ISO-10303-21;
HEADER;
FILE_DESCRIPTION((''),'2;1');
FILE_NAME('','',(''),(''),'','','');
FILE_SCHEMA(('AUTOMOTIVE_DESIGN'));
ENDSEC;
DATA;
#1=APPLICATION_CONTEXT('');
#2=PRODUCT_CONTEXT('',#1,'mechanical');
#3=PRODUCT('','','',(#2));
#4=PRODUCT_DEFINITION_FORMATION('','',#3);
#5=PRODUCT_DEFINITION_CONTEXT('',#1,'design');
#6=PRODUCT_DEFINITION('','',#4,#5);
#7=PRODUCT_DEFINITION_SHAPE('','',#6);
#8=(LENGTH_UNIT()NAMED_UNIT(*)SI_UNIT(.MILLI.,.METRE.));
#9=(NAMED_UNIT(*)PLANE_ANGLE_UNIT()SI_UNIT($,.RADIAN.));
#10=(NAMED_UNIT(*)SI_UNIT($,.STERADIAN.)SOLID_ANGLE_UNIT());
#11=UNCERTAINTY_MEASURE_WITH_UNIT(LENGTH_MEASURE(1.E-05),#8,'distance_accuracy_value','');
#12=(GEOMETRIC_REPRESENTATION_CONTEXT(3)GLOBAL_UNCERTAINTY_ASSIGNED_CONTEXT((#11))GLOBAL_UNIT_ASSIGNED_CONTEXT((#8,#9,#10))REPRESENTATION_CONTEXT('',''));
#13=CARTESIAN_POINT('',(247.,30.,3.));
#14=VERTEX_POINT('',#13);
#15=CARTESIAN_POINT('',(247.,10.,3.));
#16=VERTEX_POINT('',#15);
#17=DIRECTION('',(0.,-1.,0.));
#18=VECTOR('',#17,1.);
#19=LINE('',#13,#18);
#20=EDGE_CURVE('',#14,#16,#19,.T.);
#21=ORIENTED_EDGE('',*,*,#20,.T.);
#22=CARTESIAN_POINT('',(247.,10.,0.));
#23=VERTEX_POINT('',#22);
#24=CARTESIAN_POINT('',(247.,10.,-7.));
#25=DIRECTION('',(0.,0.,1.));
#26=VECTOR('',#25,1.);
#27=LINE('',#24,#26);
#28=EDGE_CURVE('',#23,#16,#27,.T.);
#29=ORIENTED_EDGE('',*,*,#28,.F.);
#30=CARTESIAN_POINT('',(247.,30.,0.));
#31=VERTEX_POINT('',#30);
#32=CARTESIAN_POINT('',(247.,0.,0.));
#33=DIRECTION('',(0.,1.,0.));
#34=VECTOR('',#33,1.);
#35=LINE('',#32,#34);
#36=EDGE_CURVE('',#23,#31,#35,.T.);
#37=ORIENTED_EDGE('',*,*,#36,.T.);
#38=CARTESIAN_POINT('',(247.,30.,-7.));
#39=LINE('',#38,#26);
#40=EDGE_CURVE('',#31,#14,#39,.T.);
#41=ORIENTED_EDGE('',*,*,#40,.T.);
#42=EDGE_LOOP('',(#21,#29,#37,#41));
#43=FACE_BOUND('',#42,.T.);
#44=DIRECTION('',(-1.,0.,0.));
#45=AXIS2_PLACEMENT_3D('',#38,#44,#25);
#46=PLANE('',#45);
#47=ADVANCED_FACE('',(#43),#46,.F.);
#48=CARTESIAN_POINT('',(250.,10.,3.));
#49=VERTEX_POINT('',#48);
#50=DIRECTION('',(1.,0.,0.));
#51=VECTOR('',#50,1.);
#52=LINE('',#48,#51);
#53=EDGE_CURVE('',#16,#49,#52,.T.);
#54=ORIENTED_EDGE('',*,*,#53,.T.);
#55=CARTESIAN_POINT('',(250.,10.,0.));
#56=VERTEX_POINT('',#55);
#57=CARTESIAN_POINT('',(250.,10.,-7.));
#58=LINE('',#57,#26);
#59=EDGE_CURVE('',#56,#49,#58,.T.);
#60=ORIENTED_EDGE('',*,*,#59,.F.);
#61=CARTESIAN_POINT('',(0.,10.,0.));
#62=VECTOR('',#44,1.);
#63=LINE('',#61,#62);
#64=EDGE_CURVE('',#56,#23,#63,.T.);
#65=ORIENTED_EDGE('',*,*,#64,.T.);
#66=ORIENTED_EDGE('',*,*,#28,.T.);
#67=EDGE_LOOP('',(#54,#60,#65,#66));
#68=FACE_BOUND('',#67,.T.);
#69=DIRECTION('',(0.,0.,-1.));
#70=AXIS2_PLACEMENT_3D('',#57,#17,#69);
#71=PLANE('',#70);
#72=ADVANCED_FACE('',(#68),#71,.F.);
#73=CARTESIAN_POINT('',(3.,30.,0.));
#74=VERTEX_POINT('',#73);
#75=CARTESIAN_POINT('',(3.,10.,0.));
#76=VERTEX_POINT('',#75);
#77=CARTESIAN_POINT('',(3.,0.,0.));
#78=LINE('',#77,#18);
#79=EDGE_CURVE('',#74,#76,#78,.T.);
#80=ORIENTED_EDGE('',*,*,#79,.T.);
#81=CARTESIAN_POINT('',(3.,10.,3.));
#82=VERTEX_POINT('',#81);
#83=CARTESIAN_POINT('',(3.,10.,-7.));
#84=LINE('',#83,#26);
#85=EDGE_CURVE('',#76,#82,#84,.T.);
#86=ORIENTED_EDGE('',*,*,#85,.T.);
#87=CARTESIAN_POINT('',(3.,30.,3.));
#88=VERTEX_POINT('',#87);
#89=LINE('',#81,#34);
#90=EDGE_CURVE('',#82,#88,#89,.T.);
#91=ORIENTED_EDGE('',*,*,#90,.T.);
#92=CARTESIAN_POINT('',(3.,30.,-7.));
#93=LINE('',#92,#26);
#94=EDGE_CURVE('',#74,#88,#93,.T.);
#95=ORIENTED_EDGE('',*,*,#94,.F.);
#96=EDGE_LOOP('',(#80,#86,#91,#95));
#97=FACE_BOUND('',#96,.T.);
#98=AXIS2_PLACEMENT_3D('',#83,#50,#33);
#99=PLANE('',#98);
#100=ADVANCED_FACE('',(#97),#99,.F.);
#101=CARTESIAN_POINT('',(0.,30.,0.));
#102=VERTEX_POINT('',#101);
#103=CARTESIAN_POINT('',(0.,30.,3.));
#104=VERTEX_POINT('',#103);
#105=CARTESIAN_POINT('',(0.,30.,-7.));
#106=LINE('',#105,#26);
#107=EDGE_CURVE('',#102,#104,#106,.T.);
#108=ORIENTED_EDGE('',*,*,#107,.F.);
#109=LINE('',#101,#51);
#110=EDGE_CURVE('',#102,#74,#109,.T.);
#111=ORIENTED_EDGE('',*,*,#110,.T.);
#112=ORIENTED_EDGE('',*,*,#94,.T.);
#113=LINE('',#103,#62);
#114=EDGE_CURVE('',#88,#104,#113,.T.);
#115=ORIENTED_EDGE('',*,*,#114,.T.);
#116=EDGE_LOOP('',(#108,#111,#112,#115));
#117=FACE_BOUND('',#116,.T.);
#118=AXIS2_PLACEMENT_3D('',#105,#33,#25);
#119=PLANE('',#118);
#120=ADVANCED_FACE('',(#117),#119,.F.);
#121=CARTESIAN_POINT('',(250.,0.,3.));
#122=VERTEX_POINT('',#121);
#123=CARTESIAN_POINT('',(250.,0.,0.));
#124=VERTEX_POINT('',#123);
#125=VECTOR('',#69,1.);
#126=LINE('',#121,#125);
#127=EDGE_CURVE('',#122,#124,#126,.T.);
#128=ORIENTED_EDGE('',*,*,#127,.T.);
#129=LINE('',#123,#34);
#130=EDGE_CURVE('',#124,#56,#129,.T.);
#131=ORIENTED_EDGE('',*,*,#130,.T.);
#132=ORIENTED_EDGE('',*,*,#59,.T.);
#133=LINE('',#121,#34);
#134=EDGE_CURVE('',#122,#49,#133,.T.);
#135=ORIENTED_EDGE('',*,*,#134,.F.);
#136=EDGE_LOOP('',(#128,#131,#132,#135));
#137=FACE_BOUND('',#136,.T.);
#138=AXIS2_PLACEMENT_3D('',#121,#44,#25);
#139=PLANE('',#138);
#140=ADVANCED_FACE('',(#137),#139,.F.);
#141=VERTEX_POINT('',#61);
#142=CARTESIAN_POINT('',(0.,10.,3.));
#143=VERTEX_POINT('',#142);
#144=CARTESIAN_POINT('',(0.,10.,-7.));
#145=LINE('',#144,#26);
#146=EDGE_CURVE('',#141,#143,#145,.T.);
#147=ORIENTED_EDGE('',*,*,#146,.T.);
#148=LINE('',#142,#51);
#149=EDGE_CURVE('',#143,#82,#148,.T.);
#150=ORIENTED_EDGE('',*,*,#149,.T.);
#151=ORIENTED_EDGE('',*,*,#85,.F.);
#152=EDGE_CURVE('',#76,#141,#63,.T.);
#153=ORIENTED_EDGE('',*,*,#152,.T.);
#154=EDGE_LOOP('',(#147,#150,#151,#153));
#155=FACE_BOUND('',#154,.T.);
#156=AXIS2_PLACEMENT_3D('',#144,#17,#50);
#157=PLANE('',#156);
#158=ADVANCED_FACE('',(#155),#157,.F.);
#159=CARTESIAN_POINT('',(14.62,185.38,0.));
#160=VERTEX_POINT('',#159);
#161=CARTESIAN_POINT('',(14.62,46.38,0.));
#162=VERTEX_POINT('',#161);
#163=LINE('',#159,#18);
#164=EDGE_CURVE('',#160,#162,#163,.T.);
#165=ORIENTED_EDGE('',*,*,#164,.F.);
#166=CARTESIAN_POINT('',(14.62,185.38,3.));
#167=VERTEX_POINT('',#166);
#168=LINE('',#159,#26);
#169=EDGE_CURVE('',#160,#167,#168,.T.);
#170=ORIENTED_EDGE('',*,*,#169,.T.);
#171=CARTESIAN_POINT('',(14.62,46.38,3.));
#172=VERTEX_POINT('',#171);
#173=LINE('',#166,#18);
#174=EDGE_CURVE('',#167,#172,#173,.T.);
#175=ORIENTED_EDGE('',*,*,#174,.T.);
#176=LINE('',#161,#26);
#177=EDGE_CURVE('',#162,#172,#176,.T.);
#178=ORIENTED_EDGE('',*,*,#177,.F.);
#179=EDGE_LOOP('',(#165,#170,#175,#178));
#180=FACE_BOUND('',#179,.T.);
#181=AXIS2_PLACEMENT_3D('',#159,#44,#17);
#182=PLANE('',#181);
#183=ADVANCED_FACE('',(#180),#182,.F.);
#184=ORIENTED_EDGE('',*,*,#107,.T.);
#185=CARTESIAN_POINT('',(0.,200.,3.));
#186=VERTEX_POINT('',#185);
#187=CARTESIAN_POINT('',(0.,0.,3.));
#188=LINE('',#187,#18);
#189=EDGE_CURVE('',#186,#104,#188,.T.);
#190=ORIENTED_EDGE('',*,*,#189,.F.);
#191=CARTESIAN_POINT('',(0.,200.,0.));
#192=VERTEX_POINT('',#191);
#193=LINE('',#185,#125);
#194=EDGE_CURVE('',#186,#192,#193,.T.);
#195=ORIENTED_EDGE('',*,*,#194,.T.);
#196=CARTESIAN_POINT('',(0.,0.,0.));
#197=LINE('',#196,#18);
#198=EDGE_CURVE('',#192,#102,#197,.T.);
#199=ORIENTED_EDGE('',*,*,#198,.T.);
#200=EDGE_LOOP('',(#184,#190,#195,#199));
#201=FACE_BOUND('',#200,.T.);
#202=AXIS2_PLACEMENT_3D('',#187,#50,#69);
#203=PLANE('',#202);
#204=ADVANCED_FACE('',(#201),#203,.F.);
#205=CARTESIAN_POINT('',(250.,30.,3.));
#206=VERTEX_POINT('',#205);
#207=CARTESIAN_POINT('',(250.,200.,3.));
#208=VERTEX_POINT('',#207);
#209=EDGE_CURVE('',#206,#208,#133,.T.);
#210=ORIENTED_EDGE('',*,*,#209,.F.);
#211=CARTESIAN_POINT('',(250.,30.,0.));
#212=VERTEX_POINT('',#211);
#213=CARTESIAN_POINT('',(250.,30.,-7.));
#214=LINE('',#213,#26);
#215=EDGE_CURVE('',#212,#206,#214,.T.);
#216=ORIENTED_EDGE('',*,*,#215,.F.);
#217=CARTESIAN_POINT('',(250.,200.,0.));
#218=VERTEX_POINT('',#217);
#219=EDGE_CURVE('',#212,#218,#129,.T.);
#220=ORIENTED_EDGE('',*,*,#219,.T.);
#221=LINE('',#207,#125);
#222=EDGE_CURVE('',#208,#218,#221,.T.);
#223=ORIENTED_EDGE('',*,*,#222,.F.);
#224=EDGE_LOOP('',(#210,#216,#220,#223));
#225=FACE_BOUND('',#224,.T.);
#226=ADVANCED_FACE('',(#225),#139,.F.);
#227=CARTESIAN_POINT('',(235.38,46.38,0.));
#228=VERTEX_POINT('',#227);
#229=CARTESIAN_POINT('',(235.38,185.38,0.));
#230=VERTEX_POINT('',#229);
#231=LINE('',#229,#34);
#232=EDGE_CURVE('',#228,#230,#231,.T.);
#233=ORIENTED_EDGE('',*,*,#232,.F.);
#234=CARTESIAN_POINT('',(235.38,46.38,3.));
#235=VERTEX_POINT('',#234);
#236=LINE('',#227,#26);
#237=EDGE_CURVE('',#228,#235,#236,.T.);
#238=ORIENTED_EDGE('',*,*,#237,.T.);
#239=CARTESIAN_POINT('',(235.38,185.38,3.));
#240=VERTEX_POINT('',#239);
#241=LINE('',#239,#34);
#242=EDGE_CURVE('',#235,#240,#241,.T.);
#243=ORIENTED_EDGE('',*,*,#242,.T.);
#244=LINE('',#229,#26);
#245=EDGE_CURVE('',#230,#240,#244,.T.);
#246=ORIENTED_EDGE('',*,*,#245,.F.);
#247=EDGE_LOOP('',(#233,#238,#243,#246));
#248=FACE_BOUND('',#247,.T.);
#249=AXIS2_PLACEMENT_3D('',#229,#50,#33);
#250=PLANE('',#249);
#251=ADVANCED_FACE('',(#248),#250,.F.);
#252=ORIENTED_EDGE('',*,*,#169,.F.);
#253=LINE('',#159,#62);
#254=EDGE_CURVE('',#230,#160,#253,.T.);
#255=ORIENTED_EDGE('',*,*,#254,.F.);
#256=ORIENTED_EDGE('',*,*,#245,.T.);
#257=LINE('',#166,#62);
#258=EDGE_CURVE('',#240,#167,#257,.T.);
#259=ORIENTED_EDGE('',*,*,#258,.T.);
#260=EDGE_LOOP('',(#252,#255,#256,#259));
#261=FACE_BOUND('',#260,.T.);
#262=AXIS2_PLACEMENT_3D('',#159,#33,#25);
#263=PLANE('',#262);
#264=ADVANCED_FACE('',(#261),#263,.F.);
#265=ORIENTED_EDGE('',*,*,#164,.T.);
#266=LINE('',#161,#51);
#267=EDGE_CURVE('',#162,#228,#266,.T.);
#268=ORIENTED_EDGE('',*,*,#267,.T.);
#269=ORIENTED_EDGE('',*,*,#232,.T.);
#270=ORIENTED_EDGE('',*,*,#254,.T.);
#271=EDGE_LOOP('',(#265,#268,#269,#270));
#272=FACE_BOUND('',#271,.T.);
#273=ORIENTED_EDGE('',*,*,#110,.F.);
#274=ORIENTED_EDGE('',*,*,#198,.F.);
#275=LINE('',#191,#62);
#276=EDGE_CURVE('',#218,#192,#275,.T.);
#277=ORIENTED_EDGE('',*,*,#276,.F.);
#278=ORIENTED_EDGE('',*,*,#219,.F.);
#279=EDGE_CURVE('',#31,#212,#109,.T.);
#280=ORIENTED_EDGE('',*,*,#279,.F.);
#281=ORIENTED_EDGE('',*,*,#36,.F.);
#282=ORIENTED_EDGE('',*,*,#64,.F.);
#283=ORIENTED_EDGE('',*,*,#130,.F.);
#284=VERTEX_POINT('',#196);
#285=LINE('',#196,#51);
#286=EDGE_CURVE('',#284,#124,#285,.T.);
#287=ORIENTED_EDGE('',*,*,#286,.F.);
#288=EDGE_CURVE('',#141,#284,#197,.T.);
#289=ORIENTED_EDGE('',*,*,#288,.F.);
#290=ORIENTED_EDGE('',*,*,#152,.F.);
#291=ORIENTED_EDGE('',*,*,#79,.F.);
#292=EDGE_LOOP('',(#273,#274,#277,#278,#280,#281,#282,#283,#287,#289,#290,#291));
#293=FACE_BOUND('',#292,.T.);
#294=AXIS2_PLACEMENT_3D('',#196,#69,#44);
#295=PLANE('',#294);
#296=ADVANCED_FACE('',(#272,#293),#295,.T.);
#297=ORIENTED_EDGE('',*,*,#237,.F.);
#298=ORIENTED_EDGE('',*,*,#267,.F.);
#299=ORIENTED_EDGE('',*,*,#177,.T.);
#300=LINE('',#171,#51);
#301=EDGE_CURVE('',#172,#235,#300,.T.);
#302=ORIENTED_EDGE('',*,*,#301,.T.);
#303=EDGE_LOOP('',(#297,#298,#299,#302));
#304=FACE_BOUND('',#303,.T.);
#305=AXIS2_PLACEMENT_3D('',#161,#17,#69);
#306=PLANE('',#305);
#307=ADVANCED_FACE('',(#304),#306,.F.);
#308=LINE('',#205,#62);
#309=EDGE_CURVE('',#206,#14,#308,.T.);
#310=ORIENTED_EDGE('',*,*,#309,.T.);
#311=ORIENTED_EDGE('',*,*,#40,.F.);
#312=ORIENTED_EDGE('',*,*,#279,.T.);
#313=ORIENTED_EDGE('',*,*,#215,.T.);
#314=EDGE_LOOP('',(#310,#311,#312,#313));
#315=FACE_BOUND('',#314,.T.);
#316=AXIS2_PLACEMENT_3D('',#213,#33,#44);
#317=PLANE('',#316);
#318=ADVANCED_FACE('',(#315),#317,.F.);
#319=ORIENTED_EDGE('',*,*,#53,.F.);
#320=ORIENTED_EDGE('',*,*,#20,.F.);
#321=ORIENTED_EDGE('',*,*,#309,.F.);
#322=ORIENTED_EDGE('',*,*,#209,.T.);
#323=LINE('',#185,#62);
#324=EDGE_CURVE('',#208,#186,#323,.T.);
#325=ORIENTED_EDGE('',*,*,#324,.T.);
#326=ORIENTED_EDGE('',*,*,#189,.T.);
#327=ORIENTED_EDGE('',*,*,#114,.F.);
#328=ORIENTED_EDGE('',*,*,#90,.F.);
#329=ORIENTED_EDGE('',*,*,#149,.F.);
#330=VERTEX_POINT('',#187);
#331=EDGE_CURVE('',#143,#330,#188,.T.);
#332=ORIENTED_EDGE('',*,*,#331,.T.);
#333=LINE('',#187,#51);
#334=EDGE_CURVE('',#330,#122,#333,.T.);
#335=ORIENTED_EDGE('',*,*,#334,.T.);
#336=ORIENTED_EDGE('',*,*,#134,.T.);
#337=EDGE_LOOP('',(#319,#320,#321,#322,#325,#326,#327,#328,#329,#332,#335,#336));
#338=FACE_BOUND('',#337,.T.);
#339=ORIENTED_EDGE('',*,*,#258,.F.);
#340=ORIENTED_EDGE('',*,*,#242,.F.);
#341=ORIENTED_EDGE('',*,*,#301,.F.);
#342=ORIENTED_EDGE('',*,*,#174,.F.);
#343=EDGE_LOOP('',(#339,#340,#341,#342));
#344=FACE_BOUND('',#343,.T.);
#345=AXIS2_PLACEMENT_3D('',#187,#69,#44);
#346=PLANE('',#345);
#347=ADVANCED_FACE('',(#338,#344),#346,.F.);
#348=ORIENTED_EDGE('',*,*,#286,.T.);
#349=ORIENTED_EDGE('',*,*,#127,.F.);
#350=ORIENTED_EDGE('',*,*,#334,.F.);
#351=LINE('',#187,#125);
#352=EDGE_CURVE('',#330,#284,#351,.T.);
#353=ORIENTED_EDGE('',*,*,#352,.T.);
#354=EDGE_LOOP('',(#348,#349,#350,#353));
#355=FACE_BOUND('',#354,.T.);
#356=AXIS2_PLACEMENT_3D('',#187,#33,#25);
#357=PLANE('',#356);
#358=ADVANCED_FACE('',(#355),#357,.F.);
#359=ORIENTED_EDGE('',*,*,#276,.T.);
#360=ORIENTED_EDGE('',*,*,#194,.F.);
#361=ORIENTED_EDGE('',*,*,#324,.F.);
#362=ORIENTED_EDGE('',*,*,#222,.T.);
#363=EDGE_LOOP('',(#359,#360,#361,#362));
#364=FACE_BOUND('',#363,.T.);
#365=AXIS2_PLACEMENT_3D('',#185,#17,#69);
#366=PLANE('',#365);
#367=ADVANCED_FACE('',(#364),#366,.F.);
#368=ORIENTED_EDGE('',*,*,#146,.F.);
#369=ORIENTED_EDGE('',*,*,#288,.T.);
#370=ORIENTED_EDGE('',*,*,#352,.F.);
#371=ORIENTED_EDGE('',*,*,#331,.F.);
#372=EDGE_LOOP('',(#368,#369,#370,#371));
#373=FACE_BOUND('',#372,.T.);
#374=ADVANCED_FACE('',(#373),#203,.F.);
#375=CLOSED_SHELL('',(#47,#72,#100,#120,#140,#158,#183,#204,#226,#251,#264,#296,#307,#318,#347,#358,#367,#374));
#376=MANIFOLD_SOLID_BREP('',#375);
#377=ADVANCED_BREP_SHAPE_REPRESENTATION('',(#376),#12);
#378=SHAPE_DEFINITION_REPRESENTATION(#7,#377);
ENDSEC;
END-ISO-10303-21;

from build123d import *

# Parameters (mm, degrees)
SKETCH1_W           = 250
SKETCH1_H           = 200
BOSS_EXTRUDE1_DEPTH = 3
SKETCH2_W           = 220.76
SKETCH2_H           = 139
CUT_EXTRUDE1_DEPTH  = 321.170267202
SKETCH5_W           = 3
SKETCH5_H           = 20
CUT_EXTRUDE3_DEPTH  = 10


with BuildPart() as part:
    # Sketch1 → Boss-Extrude1 (new body)
    with BuildSketch(Plane.XY):
        with Locations((125, 100)):
            Rectangle(SKETCH1_W, SKETCH1_H)
    extrude(amount=BOSS_EXTRUDE1_DEPTH)

    # Sketch2 → Cut-Extrude1 (cut, through all)
    with BuildSketch(Plane.XY.offset(3)):
        with Locations((125, 115.88)):
            Rectangle(SKETCH2_W, SKETCH2_H)
    extrude(amount=-CUT_EXTRUDE1_DEPTH, mode=Mode.SUBTRACT)

    # Sketch5 → Cut-Extrude3 (cut)
    with BuildSketch(Plane.XY.offset(3)):
        with Locations((1.5, 20)):
            Rectangle(SKETCH5_W, SKETCH5_H)
        with Locations((248.5, 20)):
            Rectangle(SKETCH5_W, SKETCH5_H)
    extrude(amount=-CUT_EXTRUDE3_DEPTH, mode=Mode.SUBTRACT)


solid = part.part
